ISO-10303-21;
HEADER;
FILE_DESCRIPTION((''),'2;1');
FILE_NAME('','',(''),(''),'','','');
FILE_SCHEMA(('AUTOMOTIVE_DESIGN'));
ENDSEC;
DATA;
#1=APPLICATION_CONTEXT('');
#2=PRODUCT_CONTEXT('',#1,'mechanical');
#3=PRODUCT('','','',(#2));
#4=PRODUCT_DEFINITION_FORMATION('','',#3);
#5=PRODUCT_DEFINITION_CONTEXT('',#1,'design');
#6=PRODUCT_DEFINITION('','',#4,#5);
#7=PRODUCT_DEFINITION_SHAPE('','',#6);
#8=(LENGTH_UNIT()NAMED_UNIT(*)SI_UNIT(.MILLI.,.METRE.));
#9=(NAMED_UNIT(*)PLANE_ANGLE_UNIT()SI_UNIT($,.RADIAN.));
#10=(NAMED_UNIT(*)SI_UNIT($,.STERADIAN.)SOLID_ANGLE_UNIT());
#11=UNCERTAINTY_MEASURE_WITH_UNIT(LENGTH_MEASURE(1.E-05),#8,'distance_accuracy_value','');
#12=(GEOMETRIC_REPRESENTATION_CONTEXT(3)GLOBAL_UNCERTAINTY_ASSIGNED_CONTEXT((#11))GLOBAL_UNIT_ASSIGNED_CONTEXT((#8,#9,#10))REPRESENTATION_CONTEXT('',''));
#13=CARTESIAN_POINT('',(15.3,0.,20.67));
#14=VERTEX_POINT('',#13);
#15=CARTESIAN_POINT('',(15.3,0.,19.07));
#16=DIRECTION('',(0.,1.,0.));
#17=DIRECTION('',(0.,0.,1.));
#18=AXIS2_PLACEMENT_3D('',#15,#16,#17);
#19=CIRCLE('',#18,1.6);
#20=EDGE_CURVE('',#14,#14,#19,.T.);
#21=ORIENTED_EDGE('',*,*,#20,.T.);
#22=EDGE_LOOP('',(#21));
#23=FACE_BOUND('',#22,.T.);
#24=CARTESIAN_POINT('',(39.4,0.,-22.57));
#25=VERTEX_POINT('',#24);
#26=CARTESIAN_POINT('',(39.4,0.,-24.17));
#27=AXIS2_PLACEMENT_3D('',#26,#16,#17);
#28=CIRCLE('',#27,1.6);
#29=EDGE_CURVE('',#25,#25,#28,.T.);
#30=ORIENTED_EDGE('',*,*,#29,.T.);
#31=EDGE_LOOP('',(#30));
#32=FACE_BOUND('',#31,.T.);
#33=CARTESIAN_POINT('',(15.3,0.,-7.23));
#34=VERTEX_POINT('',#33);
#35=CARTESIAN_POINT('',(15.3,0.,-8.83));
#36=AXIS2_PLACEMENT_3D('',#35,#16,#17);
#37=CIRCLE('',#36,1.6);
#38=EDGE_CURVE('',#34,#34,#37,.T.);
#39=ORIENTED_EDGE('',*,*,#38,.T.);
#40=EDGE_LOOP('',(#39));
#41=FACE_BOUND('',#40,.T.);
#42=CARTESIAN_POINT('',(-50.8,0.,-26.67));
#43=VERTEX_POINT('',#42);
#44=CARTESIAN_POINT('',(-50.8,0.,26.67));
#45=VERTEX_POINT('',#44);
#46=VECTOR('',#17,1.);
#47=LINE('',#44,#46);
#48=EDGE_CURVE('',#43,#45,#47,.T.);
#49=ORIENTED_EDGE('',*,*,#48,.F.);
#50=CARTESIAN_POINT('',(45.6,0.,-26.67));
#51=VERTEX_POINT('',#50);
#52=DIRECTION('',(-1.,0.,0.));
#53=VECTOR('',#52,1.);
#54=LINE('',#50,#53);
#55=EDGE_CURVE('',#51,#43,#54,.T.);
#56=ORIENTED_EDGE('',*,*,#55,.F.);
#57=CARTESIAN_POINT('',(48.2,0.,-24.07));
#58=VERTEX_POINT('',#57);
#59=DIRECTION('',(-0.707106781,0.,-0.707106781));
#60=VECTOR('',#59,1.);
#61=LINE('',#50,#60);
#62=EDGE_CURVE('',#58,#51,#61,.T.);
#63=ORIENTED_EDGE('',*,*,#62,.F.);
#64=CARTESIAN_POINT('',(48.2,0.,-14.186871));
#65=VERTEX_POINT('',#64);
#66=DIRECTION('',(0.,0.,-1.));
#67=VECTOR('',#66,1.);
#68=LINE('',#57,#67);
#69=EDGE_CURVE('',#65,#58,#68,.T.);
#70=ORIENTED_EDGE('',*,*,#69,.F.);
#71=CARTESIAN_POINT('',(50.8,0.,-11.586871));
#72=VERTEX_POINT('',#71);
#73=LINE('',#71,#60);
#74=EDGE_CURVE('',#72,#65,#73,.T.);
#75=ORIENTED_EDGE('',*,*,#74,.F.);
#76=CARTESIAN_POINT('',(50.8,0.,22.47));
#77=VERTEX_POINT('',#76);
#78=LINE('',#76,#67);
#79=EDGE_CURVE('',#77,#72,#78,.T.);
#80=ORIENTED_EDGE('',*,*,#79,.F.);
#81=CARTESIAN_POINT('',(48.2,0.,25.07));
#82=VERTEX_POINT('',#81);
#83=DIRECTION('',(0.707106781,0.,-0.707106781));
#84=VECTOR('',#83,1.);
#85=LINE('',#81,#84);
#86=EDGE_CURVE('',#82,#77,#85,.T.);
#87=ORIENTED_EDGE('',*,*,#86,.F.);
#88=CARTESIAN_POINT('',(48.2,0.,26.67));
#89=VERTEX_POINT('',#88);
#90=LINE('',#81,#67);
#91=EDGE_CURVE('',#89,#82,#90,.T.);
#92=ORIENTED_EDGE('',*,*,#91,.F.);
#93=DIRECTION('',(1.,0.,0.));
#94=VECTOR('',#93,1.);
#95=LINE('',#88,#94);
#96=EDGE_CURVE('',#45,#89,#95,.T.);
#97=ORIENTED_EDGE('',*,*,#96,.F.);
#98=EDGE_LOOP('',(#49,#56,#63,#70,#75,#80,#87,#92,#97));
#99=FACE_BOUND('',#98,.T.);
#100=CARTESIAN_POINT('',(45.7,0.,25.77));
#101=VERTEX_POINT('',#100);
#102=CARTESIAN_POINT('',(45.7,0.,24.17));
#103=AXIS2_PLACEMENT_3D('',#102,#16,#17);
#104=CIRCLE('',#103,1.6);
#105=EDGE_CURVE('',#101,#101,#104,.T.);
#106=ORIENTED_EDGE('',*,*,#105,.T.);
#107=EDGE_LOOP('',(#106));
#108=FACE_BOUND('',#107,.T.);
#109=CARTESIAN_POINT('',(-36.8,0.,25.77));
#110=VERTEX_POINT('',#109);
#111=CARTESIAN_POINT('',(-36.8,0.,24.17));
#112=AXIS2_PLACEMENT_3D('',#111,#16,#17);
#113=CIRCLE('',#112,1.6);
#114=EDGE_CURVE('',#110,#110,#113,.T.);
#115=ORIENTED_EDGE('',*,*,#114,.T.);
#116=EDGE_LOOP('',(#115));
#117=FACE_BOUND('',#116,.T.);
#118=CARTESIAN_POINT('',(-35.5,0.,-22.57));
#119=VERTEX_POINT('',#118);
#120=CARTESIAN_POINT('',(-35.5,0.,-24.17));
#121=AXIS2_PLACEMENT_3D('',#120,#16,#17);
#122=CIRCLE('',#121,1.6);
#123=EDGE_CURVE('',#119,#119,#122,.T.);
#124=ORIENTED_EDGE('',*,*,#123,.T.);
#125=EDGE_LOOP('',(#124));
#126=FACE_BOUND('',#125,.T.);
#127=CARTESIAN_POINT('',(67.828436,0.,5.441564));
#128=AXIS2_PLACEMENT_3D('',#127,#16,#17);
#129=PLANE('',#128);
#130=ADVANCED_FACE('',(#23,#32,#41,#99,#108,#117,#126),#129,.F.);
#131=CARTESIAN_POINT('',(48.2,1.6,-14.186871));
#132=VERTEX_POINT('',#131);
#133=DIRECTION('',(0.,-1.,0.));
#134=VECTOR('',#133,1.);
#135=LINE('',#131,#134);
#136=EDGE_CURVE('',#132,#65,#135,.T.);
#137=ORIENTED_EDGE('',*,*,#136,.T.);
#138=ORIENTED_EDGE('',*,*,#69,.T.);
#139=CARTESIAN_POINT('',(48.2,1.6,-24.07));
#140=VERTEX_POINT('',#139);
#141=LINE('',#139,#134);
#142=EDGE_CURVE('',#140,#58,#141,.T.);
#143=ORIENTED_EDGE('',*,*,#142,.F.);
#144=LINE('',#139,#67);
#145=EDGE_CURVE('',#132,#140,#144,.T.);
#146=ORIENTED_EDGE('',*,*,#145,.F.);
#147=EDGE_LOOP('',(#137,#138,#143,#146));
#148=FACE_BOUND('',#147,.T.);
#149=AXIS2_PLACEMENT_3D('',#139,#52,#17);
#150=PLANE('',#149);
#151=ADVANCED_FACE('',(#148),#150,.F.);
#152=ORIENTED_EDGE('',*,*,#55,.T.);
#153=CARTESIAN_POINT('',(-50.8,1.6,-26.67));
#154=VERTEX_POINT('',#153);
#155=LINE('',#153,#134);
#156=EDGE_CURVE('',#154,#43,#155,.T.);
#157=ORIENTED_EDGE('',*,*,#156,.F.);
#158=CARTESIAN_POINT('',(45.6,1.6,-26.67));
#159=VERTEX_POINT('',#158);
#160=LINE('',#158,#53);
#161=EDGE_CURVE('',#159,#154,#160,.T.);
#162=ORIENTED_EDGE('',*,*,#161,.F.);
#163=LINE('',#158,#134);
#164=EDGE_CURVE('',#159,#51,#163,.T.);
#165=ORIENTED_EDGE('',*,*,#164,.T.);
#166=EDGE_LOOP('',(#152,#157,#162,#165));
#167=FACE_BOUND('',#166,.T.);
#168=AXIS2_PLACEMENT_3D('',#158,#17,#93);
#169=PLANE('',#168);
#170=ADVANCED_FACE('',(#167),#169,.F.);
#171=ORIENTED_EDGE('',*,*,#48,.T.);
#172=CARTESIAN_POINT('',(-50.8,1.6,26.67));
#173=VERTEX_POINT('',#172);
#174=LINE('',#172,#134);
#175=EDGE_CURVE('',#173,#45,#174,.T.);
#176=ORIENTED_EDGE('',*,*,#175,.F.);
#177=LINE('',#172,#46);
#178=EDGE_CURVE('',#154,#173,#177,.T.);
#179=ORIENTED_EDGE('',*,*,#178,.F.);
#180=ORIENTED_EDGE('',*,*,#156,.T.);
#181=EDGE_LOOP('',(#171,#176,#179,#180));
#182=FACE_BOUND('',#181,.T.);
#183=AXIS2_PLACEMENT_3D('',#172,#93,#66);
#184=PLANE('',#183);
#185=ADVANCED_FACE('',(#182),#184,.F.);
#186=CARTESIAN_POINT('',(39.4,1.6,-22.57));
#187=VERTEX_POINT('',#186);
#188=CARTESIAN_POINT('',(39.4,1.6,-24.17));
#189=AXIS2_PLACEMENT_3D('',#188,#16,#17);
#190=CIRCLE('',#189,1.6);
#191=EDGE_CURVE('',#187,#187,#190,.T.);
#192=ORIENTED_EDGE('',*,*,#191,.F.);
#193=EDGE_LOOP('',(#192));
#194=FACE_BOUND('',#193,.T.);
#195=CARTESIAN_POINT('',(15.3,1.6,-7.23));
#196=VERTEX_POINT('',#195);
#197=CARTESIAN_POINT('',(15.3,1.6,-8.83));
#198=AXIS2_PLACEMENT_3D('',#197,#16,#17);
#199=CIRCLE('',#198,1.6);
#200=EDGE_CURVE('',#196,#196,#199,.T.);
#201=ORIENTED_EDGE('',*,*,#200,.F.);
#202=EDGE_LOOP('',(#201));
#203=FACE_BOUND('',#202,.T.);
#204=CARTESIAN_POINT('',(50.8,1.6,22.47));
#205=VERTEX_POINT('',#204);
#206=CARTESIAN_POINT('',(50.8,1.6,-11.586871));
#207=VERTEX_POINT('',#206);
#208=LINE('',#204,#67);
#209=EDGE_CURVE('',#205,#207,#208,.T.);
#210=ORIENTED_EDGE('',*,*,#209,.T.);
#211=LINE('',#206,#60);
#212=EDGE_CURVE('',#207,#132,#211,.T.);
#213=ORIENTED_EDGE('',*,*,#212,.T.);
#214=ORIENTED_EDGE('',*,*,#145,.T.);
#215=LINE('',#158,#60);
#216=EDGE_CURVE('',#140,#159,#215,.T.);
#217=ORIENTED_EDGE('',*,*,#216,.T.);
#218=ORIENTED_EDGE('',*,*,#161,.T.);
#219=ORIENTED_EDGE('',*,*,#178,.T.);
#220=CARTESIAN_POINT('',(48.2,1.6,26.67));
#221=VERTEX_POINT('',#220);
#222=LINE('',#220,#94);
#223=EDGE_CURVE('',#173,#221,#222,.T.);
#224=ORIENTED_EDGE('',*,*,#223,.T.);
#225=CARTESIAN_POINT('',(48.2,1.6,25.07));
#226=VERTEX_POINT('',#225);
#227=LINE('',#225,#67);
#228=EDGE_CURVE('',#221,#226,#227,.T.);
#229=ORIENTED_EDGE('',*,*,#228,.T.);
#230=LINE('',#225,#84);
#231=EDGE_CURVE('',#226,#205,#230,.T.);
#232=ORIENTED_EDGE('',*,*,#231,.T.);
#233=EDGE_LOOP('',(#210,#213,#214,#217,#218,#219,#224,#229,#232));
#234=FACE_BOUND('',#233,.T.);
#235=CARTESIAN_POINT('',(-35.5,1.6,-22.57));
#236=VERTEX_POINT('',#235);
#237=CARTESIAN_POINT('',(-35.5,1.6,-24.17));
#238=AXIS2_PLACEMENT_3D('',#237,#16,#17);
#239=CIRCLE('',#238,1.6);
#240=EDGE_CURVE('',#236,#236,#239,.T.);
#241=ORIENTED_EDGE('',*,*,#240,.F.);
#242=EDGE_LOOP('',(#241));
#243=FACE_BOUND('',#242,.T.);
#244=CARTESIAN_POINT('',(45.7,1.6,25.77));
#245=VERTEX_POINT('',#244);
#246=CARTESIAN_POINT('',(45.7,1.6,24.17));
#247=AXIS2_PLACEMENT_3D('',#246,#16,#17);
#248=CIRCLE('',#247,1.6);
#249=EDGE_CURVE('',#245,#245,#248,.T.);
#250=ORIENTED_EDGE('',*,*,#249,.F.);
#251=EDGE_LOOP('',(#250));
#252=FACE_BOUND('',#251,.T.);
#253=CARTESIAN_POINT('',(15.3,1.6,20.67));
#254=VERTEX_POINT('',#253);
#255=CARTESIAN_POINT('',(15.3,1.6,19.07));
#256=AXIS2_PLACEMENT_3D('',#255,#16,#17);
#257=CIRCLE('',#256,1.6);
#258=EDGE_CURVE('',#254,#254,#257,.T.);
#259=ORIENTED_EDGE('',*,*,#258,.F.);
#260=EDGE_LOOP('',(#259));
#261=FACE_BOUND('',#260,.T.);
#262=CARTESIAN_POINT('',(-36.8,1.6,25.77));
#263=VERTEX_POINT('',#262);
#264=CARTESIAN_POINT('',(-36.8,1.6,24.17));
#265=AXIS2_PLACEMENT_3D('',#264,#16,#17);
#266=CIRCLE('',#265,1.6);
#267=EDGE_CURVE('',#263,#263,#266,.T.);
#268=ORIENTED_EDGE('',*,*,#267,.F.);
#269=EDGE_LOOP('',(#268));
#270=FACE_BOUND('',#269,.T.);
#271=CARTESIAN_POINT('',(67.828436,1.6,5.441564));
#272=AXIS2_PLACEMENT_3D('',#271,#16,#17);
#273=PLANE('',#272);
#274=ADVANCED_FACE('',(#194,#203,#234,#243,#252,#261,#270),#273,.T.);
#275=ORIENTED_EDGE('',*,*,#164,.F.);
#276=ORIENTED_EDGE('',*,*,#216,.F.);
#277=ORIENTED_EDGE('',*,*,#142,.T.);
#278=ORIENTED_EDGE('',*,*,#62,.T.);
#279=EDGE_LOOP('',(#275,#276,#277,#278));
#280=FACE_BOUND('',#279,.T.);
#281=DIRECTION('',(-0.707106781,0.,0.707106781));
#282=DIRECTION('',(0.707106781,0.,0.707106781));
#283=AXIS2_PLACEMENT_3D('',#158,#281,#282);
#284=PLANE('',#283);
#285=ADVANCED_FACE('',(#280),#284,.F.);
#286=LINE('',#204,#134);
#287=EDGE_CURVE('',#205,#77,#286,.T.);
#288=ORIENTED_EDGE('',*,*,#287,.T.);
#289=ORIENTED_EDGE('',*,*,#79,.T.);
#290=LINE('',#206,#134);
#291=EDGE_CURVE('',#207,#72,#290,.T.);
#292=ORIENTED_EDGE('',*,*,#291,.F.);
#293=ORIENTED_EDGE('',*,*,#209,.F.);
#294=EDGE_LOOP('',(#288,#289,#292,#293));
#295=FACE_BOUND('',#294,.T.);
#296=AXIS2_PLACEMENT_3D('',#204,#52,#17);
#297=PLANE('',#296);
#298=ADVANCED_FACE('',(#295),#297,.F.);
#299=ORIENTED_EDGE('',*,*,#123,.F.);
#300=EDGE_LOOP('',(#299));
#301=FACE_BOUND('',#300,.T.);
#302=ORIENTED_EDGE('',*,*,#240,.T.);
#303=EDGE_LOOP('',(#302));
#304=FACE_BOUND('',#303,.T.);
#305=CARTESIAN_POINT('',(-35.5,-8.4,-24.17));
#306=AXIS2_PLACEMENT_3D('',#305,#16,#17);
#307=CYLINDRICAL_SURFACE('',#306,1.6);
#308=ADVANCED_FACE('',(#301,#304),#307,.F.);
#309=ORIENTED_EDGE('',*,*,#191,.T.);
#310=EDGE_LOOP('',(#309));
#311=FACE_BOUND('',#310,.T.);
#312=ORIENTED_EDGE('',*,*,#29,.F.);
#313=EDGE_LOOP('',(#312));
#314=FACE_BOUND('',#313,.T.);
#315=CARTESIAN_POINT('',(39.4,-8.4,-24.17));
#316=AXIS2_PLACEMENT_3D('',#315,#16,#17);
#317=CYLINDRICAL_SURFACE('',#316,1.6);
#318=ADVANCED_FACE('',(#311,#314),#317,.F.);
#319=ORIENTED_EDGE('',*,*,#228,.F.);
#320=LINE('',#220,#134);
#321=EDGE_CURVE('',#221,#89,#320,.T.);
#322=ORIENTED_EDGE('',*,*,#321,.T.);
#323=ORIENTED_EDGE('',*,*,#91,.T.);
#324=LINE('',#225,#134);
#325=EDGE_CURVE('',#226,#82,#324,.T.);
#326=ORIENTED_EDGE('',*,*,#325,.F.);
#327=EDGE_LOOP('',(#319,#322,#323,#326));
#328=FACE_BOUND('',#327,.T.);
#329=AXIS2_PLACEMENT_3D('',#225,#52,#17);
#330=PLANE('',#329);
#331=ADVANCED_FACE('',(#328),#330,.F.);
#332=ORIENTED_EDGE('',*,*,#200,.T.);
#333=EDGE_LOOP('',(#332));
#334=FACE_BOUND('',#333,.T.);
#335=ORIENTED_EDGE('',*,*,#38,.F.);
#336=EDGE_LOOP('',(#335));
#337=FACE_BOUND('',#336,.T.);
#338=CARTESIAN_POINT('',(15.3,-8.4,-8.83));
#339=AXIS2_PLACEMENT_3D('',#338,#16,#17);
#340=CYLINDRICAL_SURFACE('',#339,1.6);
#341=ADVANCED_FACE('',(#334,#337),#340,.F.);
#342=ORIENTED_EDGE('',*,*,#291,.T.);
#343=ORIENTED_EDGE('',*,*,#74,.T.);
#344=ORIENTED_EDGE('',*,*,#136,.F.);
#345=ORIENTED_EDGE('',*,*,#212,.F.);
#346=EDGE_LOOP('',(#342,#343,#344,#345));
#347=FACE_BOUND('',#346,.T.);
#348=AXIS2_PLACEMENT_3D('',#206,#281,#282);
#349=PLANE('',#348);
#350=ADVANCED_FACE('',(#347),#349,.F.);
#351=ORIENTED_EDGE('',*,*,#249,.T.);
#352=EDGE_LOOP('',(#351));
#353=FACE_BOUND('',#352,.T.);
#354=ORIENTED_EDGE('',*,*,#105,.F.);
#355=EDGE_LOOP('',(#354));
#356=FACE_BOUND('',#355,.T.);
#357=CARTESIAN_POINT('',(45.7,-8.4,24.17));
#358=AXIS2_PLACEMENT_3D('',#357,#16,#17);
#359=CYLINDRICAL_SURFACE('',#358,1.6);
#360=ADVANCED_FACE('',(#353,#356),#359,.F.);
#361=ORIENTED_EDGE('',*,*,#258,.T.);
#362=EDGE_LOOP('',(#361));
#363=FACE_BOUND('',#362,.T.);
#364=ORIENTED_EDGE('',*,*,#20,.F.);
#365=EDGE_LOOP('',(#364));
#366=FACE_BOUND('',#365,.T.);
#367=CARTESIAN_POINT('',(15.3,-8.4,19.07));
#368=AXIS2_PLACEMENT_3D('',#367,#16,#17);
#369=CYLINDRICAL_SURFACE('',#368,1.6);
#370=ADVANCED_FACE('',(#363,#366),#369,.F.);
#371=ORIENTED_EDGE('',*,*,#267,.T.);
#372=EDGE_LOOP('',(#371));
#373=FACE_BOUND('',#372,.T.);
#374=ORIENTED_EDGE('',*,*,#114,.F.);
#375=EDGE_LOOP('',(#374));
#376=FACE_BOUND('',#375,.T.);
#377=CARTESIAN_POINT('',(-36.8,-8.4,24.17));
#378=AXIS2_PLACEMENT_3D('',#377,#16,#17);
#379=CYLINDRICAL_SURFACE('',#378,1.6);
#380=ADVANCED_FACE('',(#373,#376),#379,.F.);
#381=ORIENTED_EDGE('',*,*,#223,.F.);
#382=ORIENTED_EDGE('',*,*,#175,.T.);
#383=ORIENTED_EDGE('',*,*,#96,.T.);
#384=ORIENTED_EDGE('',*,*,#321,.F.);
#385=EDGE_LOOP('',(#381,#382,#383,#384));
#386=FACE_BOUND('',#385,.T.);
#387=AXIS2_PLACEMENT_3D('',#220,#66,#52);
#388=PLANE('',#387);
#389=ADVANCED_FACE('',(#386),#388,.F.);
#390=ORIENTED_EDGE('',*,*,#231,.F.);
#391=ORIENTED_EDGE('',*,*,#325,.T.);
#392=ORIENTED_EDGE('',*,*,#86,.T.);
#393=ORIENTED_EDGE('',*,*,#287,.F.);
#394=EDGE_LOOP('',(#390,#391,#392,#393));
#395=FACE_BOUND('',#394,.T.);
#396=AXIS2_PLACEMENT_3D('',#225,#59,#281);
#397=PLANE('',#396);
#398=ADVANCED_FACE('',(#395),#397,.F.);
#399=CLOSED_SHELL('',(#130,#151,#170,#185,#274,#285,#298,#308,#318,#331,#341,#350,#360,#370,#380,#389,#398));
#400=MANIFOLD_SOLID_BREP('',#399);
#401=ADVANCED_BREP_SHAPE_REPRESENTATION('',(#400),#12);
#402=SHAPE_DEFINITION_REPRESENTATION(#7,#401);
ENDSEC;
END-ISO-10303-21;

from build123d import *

# Parameters (mm, degrees)
BOSS_EXTRUDE1_DEPTH   = 1.6
ESBO_O1_R             = 1.6
CORTE_EXTRUS_O1_DEPTH = 10


with BuildPart() as part:
    # Sketch2 → Boss-Extrude1 (new body)
    with BuildSketch(Plane(origin=(0, 0, 0), x_dir=(1, 0, 0), z_dir=(0, 1, 0))):
        Polygon((50.8, -22.47), (50.8, 11.586871141), (48.2, 14.186871141), (48.2, 24.07), (45.6, 26.67), (-50.8, 26.67), (-50.8, -26.67), (48.2, -26.67), (48.2, -25.07), align=None)
    extrude(amount=BOSS_EXTRUDE1_DEPTH)

    # Esboço1 → Corte-extrusão1 (cut)
    with BuildSketch(Plane(origin=(0, 1.6, 0), x_dir=(1, 0, 0), z_dir=(0, 1, 0))):
        with Locations(Location((-35.5, 24.17, 0), (0, 0, 270))):
            Circle(ESBO_O1_R)
        with Locations(Location((-36.8, -24.17, 0), (0, 0, 270))):
            Circle(ESBO_O1_R)
        with Locations(Location((39.4, 24.17, 0), (0, 0, 270))):
            Circle(ESBO_O1_R)
        with Locations(Location((45.7, -24.17, 0), (0, 0, 270))):
            Circle(ESBO_O1_R)
        with Locations(Location((15.3, 8.83, 0), (0, 0, 270))):
            Circle(ESBO_O1_R)
        with Locations(Location((15.3, -19.07, 0), (0, 0, 270))):
            Circle(ESBO_O1_R)
    extrude(amount=-CORTE_EXTRUS_O1_DEPTH, mode=Mode.SUBTRACT)


solid = part.part
